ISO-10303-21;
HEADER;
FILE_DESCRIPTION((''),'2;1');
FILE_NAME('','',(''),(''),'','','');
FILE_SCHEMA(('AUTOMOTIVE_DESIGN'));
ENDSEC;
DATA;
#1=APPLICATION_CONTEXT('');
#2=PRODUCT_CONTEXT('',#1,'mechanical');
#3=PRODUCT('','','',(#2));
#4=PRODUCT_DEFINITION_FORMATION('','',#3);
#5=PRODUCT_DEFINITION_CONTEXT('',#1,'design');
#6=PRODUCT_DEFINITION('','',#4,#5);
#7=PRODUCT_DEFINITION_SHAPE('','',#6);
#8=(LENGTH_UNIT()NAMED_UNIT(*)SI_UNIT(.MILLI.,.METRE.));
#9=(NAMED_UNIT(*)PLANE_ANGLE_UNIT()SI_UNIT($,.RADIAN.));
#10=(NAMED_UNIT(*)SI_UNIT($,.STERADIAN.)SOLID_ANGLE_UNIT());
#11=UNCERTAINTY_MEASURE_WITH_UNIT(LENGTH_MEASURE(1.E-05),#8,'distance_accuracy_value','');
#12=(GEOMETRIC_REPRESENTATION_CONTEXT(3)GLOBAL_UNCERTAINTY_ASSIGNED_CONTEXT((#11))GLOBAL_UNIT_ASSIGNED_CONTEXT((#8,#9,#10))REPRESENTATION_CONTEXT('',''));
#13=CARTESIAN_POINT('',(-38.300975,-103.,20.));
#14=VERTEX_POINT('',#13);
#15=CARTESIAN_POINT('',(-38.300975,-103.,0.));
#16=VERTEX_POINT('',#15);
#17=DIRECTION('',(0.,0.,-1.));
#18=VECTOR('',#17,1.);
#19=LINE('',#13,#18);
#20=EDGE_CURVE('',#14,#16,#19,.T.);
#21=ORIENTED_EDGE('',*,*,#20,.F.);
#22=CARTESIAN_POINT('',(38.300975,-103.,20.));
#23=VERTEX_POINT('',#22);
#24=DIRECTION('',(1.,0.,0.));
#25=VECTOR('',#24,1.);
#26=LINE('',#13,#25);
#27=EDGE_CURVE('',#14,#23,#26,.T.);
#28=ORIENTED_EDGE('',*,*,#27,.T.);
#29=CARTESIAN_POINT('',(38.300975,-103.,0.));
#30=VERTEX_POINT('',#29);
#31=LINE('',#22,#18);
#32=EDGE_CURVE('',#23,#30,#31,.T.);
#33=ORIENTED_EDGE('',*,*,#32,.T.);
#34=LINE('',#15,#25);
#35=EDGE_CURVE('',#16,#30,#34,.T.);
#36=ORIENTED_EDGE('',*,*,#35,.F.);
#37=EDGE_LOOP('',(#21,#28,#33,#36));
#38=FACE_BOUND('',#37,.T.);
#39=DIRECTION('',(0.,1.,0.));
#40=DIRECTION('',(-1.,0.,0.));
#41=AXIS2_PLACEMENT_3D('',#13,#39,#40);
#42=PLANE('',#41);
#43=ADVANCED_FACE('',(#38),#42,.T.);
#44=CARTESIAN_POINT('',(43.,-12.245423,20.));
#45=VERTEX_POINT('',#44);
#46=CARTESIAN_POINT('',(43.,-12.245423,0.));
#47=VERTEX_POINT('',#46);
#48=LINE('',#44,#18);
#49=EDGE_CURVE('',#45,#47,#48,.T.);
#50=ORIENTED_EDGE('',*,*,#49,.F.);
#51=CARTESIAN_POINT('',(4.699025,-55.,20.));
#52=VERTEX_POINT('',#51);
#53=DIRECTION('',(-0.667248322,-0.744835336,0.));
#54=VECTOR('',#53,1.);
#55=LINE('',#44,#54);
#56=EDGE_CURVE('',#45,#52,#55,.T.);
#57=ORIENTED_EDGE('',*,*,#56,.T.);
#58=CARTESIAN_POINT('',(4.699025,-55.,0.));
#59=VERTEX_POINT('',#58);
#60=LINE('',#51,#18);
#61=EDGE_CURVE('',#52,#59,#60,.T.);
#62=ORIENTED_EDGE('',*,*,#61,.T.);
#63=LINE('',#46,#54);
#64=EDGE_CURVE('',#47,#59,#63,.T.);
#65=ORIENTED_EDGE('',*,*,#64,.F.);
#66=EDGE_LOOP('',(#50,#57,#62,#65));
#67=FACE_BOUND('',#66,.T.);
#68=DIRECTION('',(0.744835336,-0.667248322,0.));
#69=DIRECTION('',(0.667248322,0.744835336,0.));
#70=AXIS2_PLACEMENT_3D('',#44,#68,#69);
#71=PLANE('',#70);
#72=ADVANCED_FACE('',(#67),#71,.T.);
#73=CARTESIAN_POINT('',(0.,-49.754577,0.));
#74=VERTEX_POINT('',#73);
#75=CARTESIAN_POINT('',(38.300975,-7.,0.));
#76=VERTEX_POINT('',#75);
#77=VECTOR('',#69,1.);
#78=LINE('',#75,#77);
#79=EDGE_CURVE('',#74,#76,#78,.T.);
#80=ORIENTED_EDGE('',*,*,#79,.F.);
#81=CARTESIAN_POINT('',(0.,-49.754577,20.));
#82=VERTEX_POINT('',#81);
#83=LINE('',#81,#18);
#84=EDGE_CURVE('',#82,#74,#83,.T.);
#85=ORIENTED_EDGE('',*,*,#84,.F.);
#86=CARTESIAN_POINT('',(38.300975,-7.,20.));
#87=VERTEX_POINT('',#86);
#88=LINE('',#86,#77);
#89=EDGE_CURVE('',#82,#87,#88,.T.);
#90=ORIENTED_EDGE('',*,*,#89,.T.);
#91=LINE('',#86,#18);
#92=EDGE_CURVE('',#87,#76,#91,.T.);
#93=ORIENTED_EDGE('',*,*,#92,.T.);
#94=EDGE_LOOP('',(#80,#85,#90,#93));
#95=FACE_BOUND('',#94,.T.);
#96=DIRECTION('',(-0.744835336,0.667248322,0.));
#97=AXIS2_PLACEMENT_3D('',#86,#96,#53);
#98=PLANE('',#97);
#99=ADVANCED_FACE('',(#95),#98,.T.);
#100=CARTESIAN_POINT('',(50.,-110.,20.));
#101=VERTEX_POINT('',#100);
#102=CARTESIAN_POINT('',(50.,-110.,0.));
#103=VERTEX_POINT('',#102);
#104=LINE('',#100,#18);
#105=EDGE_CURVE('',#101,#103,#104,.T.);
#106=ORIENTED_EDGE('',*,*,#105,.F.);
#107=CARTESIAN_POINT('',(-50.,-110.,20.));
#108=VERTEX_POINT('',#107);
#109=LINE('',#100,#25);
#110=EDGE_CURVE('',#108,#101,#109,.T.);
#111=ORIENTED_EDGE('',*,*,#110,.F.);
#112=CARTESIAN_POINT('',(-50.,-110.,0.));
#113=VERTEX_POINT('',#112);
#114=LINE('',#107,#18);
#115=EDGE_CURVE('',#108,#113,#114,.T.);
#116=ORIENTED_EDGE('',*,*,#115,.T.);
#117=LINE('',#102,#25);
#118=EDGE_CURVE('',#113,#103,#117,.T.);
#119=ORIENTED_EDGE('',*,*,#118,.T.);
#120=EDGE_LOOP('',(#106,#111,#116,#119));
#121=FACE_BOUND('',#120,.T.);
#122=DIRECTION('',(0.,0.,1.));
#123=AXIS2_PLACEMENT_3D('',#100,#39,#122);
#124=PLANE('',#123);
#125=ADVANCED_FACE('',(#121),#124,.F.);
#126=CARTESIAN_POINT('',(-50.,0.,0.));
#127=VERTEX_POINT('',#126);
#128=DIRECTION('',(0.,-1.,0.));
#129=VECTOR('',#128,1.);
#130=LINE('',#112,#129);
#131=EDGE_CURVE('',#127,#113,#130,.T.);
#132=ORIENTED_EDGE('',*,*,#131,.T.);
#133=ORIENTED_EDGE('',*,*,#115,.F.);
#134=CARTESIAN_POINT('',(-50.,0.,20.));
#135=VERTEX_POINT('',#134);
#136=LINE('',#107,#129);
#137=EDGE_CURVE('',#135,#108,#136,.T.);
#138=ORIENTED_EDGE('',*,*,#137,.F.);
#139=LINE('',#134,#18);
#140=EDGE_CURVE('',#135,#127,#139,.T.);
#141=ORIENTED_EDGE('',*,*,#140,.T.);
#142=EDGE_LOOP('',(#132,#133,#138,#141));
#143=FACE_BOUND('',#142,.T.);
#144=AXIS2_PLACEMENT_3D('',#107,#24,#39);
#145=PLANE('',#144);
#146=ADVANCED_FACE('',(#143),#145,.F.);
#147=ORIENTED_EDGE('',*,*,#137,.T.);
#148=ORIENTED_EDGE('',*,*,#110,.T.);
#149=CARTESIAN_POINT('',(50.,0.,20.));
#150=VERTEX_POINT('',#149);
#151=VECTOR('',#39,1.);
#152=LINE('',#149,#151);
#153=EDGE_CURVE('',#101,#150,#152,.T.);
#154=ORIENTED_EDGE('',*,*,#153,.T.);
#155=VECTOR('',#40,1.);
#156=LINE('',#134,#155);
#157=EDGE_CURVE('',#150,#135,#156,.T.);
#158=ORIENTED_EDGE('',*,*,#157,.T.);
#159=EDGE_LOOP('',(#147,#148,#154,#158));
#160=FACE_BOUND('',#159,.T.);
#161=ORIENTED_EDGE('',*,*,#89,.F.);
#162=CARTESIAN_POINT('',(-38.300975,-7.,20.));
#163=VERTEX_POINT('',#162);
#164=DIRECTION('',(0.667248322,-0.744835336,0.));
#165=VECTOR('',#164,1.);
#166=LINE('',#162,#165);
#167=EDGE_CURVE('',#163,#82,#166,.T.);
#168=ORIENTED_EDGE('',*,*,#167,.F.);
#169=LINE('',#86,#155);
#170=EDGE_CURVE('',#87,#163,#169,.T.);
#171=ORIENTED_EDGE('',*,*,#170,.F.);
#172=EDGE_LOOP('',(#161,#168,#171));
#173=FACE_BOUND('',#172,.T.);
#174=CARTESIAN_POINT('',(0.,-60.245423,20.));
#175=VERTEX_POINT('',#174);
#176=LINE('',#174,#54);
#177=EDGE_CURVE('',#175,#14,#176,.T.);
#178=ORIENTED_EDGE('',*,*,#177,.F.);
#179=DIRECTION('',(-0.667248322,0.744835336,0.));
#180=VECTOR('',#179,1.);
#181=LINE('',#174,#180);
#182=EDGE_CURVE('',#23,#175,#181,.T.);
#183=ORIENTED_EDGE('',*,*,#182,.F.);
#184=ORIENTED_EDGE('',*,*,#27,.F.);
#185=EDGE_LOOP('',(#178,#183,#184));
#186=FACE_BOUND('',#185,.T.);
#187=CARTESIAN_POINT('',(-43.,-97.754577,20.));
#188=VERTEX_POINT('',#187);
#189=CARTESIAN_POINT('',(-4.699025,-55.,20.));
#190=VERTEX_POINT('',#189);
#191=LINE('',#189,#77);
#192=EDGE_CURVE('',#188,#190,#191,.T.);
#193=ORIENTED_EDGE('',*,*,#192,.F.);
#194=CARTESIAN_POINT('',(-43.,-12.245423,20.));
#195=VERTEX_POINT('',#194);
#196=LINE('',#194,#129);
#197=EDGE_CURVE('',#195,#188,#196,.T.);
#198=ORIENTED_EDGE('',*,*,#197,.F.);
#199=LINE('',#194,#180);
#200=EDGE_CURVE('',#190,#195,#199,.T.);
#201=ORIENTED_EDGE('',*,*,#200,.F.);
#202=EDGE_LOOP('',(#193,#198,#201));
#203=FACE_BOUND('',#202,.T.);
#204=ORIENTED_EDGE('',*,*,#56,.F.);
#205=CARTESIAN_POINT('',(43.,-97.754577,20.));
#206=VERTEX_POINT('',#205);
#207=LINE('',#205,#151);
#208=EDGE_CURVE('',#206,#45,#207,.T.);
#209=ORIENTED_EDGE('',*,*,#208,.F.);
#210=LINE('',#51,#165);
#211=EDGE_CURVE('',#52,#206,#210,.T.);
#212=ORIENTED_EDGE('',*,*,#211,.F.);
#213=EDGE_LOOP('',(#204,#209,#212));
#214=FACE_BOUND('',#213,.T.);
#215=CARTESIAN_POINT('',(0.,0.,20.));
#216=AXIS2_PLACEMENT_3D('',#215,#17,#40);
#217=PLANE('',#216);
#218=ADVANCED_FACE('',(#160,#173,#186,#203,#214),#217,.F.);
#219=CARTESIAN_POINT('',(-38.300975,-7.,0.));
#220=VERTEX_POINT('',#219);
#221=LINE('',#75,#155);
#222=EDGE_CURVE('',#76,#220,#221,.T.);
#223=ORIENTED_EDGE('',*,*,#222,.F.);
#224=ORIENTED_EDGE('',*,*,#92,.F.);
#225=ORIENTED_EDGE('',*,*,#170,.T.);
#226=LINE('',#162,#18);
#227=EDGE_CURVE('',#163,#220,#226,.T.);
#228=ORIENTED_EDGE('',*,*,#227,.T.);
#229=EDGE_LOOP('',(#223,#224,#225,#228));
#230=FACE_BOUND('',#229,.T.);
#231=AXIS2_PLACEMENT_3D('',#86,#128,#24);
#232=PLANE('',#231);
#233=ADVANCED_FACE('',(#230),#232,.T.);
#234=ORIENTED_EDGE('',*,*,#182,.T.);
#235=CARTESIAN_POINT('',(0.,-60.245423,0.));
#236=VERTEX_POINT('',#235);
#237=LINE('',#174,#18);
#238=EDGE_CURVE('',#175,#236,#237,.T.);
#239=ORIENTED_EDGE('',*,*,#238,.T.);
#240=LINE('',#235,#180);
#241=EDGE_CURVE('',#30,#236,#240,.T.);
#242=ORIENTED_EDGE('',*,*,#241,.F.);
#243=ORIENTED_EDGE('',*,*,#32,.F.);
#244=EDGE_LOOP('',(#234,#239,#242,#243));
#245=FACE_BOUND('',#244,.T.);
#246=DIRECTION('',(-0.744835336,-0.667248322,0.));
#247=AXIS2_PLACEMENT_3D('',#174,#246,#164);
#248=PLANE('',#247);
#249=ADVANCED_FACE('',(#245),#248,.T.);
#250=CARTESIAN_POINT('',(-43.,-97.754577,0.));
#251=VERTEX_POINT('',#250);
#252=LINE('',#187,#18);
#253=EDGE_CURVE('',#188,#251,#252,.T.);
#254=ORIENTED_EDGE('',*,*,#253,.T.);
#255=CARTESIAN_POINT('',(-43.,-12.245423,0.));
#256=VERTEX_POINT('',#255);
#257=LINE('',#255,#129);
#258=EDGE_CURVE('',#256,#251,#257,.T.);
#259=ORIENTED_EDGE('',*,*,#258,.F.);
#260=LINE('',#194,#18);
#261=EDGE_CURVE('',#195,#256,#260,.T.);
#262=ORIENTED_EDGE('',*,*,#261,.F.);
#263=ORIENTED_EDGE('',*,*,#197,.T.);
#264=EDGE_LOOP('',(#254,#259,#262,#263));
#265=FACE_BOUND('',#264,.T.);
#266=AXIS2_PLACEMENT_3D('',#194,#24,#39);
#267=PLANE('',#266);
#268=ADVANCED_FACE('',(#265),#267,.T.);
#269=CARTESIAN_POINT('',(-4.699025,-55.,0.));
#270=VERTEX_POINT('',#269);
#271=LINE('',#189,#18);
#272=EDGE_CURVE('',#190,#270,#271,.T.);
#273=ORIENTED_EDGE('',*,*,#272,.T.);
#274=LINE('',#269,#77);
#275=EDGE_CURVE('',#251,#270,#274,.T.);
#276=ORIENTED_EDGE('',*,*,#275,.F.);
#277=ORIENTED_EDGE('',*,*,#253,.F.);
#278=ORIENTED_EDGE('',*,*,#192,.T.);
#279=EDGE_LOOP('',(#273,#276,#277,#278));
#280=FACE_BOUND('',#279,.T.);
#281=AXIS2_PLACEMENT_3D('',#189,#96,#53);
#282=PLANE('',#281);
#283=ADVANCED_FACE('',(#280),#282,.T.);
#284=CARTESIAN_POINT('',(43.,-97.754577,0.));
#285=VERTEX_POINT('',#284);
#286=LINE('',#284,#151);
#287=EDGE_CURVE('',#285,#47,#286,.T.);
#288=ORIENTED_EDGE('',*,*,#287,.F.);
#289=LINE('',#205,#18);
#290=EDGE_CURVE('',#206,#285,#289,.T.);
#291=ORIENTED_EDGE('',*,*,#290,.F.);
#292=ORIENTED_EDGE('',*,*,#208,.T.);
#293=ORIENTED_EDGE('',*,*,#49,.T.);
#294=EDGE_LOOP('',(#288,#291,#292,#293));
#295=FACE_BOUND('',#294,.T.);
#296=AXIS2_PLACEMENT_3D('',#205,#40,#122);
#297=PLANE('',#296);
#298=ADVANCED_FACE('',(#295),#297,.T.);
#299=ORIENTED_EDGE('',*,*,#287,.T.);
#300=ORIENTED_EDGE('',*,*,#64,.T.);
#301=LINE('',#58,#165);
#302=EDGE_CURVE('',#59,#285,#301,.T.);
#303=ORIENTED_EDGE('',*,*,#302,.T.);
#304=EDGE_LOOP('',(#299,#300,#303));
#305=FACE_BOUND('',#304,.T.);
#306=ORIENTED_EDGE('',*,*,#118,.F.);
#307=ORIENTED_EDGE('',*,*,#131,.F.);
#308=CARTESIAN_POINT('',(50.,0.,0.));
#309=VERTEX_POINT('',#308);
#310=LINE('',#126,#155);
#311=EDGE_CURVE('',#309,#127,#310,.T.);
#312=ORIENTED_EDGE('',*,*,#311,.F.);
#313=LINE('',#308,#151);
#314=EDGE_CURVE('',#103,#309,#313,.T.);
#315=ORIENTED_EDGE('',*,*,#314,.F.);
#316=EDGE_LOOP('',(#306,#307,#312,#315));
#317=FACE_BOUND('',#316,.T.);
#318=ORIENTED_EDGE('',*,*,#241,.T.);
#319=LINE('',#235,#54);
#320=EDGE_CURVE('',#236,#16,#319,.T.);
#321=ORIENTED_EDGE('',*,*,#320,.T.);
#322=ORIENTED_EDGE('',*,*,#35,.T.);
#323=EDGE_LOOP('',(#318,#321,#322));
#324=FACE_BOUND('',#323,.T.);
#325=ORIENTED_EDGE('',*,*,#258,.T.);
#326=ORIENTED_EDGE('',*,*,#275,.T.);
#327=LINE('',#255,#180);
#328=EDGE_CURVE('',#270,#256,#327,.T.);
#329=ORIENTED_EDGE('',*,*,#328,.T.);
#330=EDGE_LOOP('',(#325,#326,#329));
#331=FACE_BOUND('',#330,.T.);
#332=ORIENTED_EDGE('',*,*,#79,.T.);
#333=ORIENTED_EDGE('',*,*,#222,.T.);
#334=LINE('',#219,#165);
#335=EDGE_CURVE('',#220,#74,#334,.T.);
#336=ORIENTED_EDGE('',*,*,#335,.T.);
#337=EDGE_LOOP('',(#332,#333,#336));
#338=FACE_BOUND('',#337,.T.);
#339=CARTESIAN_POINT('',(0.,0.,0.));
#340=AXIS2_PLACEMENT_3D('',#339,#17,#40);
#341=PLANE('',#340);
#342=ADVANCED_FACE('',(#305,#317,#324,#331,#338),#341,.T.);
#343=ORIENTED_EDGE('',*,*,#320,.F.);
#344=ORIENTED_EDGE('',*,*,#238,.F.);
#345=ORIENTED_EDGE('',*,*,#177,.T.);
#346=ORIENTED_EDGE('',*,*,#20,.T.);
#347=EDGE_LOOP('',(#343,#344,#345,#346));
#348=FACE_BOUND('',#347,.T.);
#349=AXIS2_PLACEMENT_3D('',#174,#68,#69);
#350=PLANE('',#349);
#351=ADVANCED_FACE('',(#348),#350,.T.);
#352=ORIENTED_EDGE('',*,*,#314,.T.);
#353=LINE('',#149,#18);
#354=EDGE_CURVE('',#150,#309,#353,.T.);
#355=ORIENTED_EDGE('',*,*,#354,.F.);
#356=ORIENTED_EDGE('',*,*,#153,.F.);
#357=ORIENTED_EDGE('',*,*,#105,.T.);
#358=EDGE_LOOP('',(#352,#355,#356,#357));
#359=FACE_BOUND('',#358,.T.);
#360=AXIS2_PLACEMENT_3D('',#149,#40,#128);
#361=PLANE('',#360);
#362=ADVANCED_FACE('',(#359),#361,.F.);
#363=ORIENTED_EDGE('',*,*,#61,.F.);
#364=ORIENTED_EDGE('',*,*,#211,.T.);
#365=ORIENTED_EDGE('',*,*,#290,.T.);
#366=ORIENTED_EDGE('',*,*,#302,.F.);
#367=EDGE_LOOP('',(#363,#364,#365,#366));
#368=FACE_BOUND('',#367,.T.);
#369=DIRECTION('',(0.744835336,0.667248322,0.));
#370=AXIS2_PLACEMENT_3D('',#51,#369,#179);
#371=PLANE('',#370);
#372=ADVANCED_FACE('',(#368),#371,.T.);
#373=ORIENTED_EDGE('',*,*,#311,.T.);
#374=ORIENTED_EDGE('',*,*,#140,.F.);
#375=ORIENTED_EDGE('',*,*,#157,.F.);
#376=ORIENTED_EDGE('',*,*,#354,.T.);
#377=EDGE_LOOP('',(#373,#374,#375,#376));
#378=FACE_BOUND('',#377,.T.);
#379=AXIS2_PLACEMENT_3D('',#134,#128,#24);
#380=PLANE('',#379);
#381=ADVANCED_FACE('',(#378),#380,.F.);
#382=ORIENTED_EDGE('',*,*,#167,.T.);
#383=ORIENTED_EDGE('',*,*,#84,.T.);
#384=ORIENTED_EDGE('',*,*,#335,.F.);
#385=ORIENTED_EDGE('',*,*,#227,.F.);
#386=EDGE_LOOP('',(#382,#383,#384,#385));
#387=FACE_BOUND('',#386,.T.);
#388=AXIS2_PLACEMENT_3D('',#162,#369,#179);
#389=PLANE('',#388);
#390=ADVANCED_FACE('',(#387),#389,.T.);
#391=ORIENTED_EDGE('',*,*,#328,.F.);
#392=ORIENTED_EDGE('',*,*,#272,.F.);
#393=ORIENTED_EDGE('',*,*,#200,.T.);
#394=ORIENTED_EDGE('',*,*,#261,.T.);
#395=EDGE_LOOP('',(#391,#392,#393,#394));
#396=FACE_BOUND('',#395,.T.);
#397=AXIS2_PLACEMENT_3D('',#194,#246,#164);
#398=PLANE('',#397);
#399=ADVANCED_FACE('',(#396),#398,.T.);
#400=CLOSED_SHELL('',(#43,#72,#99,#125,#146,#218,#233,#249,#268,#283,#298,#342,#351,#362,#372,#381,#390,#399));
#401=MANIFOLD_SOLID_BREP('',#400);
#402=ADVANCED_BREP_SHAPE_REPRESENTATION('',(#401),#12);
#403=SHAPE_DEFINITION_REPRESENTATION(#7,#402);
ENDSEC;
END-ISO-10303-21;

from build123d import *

# Parameters (mm, degrees)
SKIZZE1_W                       = 100
SKIZZE1_H                       = 110
AUFSATZ_LINEAR_AUSTRAGEN1_DEPTH = 20


with BuildPart() as part:
    # Skizze1 → Aufsatz-Linear austragen1 (new body)
    with BuildSketch(Plane.XY):
        with Locations((0, -55)):
            Rectangle(SKIZZE1_W, SKIZZE1_H)
        Polygon((-43, -12.24542346), (-43, -97.75457654), (-4.699025183, -55), align=None, mode=Mode.SUBTRACT)
        Polygon((-38.300974817, -103), (38.300974817, -103), (0, -60.24542346), align=None, mode=Mode.SUBTRACT)
        Polygon((43, -97.75457654), (43, -12.24542346), (4.699025183, -55), align=None, mode=Mode.SUBTRACT)
        Polygon((38.300974817, -7), (-38.300974817, -7), (0, -49.75457654), align=None, mode=Mode.SUBTRACT)
    extrude(amount=AUFSATZ_LINEAR_AUSTRAGEN1_DEPTH)


solid = part.part
